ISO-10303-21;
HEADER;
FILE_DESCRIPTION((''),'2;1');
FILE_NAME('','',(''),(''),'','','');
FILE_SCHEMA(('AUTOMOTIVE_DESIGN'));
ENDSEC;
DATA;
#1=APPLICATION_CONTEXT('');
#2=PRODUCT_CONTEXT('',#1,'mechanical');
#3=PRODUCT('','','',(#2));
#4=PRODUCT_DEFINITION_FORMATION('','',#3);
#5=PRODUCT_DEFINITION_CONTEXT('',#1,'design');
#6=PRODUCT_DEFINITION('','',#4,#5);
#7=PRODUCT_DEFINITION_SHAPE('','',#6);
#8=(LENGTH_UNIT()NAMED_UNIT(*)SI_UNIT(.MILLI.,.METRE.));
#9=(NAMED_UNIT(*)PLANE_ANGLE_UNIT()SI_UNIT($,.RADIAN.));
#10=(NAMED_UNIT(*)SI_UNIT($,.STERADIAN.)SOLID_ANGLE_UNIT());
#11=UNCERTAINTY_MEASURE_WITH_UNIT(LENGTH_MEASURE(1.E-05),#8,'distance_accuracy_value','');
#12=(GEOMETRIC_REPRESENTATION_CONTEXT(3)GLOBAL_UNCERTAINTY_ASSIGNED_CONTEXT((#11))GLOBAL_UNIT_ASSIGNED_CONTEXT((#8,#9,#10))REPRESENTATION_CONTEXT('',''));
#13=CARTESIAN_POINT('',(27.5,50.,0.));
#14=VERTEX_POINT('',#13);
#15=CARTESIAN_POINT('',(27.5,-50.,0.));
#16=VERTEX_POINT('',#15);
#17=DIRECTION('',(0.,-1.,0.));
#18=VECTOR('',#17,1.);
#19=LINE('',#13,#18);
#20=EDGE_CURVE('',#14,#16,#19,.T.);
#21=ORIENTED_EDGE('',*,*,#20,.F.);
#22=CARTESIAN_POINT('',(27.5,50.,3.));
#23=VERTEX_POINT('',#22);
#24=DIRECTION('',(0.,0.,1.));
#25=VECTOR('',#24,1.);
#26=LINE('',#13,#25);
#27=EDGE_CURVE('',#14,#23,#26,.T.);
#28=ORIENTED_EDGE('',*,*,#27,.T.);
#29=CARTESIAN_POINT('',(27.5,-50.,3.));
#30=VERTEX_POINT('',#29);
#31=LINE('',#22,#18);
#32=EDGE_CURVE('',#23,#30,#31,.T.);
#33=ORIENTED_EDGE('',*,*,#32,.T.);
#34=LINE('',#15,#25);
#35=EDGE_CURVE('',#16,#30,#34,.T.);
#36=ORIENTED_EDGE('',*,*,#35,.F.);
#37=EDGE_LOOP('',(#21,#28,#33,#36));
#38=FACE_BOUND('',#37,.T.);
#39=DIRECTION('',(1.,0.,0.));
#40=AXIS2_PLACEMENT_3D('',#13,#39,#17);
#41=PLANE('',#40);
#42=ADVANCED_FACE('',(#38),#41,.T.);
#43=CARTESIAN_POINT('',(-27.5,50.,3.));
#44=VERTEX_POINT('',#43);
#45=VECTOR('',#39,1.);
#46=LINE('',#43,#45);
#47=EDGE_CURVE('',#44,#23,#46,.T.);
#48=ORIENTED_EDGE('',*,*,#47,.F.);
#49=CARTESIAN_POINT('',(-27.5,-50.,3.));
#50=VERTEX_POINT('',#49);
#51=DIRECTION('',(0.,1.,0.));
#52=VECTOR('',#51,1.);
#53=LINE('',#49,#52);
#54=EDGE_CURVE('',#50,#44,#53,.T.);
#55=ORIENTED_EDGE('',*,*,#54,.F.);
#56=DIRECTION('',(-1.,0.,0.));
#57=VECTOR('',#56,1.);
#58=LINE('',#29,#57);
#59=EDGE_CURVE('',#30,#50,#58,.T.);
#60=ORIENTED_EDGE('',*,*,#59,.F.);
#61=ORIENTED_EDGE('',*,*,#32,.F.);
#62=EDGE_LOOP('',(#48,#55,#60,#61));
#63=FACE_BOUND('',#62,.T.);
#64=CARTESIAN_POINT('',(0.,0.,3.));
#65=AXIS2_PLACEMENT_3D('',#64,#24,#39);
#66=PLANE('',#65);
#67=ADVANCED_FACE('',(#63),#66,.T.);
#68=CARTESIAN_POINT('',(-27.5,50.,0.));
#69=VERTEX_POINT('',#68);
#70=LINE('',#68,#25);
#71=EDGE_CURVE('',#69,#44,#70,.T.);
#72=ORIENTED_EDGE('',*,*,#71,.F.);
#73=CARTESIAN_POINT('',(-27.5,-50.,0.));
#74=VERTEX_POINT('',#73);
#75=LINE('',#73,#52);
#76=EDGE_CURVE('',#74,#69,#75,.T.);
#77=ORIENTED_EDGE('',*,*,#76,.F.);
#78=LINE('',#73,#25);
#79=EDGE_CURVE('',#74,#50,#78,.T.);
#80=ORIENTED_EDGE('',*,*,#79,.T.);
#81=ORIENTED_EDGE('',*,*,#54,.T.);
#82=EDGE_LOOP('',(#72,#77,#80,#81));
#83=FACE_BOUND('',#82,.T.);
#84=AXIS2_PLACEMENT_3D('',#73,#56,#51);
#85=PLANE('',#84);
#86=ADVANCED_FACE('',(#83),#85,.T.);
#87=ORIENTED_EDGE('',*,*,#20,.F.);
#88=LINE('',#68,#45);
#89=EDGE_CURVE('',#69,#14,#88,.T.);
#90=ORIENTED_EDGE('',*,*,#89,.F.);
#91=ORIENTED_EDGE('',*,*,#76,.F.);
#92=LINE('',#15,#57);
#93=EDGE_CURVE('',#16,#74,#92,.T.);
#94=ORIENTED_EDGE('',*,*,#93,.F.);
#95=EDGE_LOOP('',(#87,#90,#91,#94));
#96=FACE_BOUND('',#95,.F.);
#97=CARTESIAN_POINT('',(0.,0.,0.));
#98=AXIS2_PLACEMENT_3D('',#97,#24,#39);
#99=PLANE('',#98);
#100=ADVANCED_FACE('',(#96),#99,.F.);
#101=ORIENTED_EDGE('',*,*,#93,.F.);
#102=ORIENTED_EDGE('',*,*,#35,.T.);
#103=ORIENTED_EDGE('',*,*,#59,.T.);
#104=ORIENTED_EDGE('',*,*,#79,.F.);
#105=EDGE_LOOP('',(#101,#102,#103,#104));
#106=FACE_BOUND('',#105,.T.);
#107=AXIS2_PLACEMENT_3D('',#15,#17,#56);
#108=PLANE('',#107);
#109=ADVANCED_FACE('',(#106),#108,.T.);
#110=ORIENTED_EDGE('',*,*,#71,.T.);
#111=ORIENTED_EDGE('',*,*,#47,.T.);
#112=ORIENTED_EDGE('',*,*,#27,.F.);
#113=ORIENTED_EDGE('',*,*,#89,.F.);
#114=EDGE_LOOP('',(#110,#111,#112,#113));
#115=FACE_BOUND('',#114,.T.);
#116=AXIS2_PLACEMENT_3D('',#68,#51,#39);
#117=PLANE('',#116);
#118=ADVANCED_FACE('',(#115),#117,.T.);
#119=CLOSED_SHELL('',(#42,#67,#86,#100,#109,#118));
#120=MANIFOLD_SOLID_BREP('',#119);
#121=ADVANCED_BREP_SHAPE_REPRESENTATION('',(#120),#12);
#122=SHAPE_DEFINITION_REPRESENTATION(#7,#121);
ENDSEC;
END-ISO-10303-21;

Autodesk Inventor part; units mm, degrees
ref_plane "YZ Plane" through (0, 0, 0) normal (1, 0, 0) x (0, 1, 0)
ref_plane "XZ Plane" through (0, 0, 0) normal (0, 1, 0) x (-1, 0, 0)
ref_plane "XY Plane" through (0, 0, 0) normal (0, 0, 1) x (1, 0, 0)
sketch "Sketch1" plane through (0, 0, 0) normal (0, 0, 1) x (1, 0, 0)
  line L0 (-27.5, 50) -> (27.5, 50)
  line L1 (27.5, 50) -> (27.5, -50)
  line L2 (27.5, -50) -> (-27.5, -50)
  line L3 (-27.5, -50) -> (-27.5, 50)
  point P0 (0, 0)
  point P1 (0, 50)
  dimension "d0" = 50
  dimension "d2" = 100
  dimension "d3" = 55
  dimension "d4" = 27.5
extrude "Extrusion1" add sketch "Sketch1" along normal blind 3
properties part number "AcrylicPane"
